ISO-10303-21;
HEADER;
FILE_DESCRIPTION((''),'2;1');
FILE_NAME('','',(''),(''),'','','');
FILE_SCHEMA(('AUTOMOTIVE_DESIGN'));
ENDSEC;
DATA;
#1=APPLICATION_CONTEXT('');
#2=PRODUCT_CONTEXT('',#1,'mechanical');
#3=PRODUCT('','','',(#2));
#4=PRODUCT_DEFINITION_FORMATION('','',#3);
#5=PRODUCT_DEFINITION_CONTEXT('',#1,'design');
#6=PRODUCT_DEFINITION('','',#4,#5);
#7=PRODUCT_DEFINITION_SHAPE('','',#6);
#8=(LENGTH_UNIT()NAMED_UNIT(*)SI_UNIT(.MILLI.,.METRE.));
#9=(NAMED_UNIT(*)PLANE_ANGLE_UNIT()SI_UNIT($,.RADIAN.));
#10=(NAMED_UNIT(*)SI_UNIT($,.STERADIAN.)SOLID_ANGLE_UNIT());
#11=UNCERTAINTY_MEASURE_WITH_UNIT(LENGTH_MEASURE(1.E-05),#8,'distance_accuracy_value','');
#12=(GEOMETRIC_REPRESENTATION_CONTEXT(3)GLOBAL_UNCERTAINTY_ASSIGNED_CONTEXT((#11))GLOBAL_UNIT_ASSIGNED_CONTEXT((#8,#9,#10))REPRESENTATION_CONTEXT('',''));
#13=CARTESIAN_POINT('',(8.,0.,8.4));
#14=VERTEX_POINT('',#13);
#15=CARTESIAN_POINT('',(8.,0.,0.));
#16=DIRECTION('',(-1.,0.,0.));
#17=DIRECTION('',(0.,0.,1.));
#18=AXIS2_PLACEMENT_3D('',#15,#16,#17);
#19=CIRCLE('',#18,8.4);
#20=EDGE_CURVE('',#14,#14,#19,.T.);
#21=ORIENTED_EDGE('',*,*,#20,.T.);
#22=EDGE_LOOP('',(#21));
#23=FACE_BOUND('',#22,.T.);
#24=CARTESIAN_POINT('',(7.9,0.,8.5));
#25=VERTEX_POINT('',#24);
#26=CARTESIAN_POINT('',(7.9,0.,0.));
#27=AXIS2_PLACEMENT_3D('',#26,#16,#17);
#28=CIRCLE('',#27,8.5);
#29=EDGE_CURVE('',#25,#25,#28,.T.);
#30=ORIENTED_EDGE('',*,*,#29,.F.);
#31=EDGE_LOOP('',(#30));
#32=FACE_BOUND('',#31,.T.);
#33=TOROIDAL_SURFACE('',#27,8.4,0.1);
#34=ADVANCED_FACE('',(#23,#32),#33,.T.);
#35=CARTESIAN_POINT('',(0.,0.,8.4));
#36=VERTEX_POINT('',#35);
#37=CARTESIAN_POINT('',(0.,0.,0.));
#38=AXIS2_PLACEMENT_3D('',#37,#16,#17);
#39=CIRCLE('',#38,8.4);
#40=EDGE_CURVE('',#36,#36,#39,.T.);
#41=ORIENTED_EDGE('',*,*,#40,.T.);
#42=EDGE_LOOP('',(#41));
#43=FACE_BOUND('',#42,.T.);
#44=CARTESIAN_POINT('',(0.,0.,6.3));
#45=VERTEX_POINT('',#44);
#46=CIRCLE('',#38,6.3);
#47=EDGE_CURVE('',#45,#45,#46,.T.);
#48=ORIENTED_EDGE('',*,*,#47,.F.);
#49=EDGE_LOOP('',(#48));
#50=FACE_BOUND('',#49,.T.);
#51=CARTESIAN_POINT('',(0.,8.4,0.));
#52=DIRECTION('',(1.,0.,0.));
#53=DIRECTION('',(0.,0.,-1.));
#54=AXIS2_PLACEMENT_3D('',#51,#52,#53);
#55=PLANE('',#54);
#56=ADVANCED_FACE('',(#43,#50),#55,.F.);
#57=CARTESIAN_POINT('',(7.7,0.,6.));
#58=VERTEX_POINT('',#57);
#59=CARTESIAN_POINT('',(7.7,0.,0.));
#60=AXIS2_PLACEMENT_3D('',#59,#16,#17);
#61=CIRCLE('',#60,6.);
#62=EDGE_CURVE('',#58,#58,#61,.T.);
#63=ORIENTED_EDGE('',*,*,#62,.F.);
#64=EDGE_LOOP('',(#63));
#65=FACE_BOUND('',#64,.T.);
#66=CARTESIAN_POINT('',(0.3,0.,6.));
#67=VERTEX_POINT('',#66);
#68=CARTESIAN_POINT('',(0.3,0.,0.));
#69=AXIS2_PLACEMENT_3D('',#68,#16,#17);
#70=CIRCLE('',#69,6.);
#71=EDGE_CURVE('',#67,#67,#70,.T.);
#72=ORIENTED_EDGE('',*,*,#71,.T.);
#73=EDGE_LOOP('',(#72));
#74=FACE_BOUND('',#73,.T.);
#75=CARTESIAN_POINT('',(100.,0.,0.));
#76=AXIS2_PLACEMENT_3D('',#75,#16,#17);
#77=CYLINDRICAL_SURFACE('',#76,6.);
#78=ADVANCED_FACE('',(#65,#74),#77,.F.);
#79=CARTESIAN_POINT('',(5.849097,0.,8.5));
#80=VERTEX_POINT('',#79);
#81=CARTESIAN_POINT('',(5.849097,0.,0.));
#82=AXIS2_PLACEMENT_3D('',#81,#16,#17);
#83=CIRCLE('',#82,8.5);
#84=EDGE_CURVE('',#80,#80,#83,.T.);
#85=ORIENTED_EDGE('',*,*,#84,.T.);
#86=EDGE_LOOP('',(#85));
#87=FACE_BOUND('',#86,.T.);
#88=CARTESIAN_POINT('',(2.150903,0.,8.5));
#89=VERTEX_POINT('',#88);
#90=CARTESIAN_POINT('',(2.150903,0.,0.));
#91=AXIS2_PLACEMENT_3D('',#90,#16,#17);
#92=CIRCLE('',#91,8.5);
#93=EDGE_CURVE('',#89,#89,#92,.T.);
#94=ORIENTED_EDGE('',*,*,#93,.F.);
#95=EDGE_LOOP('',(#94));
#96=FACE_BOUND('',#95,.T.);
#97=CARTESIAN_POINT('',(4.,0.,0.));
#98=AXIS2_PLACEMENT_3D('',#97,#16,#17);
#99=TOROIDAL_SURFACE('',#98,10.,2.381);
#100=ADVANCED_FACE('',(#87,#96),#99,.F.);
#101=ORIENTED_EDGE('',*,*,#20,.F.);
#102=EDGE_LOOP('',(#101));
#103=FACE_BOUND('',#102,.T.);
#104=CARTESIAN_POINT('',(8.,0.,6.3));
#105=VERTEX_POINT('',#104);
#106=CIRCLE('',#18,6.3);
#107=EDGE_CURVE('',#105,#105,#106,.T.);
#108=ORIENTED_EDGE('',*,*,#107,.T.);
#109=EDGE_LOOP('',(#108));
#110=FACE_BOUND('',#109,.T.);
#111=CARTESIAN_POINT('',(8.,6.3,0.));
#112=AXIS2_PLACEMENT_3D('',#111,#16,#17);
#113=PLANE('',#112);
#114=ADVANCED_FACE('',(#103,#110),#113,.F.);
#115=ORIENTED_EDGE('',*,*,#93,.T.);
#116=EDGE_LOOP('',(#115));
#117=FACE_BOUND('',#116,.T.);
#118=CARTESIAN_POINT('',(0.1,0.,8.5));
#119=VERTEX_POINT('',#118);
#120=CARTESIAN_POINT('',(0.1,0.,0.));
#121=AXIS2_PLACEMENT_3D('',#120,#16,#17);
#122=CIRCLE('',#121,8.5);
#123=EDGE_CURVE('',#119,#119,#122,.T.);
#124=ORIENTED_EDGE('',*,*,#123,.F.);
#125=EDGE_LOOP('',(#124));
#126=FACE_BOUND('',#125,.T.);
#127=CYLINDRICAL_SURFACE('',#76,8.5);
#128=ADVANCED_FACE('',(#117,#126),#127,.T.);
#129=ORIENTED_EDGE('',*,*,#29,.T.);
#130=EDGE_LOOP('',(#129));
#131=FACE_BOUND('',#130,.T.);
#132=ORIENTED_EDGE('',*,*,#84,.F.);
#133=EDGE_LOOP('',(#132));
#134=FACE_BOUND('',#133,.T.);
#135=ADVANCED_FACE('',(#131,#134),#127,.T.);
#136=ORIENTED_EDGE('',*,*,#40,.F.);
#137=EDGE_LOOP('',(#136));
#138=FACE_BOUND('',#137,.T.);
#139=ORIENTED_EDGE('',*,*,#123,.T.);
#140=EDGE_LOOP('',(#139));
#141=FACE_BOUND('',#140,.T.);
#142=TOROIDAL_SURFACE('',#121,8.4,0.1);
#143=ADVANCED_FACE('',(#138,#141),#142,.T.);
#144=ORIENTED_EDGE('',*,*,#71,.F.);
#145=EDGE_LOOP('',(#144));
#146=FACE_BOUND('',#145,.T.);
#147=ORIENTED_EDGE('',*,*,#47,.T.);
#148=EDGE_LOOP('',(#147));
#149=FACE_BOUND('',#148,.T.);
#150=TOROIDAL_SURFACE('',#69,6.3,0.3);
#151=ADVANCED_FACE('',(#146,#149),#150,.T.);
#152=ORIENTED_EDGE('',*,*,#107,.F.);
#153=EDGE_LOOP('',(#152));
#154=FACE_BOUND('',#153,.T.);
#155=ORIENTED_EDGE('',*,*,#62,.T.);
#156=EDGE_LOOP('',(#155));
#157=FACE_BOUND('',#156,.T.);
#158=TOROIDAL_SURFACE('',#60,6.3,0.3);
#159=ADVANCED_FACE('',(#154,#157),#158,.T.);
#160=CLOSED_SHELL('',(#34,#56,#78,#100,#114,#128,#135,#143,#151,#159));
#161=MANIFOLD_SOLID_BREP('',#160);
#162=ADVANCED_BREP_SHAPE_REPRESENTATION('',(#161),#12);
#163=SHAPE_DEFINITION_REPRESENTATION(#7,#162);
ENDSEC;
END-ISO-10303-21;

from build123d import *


with BuildPart() as part:
    # Esquisse1 → Révolution1 (revolve)
    with BuildSketch(Plane.XY, mode=Mode.PRIVATE) as r_volution1_sk:
        with BuildLine():
            Line((0.3, 6), (7.7, 6))
            ThreePointArc((7.7, 6), (7.912132034, 6.087867966), (8, 6.3))
            Line((8, 6.3), (8, 8.4))
            ThreePointArc((8, 8.4), (7.970710678, 8.470710678), (7.9, 8.5))
            Line((7.9, 8.5), (5.849097347, 8.5))
            ThreePointArc((5.849097347, 8.5), (4, 7.619), (2.150902653, 8.5))
            Line((2.150902653, 8.5), (0.1, 8.5))
            ThreePointArc((0.1, 8.5), (0.029289322, 8.470710678), (0, 8.4))
            Line((0, 8.4), (0, 6.3))
            ThreePointArc((0, 6.3), (0.087867966, 6.087867966), (0.3, 6))
        make_face()
    revolve(r_volution1_sk.sketch.rotate(Axis((100, 0, 0), (-1, 0, 0)), 270), axis=Axis((100, 0, 0), (-1, 0, 0)))


solid = part.part
